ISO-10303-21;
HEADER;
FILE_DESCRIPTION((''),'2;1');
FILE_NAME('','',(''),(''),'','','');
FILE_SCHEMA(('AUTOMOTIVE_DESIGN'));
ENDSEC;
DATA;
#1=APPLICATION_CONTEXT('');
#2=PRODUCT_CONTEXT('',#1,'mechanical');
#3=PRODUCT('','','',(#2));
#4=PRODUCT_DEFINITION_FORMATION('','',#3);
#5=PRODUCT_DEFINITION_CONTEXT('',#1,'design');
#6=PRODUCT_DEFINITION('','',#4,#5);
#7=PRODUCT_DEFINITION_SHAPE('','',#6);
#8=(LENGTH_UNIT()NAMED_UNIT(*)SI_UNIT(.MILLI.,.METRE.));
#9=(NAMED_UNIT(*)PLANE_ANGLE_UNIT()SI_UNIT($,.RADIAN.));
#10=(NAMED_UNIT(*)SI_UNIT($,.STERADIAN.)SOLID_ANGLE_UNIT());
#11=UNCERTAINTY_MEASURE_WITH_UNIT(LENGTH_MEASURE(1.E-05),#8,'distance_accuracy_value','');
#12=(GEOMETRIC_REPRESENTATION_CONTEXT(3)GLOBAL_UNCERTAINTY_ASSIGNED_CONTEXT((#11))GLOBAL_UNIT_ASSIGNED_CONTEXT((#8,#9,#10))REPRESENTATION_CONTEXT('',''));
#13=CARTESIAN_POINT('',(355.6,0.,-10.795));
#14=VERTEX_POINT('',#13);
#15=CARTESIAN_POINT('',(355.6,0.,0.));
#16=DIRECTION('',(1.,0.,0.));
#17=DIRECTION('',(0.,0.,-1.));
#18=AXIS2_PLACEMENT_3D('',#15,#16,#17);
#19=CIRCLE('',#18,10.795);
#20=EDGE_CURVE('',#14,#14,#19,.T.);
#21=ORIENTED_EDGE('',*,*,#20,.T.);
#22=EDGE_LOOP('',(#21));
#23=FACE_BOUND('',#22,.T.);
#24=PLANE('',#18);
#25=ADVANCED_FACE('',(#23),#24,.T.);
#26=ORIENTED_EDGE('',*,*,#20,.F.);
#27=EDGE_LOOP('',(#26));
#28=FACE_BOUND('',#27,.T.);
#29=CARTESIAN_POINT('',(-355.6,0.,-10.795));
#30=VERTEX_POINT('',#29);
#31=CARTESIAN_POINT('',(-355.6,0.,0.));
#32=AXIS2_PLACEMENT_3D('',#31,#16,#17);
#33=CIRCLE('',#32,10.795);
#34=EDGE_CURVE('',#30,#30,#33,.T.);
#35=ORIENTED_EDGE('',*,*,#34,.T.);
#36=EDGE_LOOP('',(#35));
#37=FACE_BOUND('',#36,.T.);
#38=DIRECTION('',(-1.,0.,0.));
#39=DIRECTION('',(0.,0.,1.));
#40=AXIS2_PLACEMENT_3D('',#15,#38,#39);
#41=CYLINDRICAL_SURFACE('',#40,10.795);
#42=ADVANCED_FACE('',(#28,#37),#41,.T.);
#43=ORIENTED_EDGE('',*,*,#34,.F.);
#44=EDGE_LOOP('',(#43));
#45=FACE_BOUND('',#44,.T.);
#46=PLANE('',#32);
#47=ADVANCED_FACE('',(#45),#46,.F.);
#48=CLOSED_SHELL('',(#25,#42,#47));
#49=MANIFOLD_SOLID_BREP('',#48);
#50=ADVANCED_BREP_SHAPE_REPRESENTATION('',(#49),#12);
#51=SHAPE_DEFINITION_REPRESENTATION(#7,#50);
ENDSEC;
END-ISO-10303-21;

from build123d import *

# Parameters (mm, degrees)
SKETCH1_R           = 10.795
BOSS_EXTRUDE1_DEPTH = 355.6


with BuildPart() as part:
    # Sketch1 → Boss-Extrude1 (new body, symmetric)
    with BuildSketch(Plane(origin=(0, 0, 0), x_dir=(0, 0, -1), z_dir=(1, 0, 0))):
        Circle(SKETCH1_R)
    extrude(amount=BOSS_EXTRUDE1_DEPTH, both=True)


solid = part.part
